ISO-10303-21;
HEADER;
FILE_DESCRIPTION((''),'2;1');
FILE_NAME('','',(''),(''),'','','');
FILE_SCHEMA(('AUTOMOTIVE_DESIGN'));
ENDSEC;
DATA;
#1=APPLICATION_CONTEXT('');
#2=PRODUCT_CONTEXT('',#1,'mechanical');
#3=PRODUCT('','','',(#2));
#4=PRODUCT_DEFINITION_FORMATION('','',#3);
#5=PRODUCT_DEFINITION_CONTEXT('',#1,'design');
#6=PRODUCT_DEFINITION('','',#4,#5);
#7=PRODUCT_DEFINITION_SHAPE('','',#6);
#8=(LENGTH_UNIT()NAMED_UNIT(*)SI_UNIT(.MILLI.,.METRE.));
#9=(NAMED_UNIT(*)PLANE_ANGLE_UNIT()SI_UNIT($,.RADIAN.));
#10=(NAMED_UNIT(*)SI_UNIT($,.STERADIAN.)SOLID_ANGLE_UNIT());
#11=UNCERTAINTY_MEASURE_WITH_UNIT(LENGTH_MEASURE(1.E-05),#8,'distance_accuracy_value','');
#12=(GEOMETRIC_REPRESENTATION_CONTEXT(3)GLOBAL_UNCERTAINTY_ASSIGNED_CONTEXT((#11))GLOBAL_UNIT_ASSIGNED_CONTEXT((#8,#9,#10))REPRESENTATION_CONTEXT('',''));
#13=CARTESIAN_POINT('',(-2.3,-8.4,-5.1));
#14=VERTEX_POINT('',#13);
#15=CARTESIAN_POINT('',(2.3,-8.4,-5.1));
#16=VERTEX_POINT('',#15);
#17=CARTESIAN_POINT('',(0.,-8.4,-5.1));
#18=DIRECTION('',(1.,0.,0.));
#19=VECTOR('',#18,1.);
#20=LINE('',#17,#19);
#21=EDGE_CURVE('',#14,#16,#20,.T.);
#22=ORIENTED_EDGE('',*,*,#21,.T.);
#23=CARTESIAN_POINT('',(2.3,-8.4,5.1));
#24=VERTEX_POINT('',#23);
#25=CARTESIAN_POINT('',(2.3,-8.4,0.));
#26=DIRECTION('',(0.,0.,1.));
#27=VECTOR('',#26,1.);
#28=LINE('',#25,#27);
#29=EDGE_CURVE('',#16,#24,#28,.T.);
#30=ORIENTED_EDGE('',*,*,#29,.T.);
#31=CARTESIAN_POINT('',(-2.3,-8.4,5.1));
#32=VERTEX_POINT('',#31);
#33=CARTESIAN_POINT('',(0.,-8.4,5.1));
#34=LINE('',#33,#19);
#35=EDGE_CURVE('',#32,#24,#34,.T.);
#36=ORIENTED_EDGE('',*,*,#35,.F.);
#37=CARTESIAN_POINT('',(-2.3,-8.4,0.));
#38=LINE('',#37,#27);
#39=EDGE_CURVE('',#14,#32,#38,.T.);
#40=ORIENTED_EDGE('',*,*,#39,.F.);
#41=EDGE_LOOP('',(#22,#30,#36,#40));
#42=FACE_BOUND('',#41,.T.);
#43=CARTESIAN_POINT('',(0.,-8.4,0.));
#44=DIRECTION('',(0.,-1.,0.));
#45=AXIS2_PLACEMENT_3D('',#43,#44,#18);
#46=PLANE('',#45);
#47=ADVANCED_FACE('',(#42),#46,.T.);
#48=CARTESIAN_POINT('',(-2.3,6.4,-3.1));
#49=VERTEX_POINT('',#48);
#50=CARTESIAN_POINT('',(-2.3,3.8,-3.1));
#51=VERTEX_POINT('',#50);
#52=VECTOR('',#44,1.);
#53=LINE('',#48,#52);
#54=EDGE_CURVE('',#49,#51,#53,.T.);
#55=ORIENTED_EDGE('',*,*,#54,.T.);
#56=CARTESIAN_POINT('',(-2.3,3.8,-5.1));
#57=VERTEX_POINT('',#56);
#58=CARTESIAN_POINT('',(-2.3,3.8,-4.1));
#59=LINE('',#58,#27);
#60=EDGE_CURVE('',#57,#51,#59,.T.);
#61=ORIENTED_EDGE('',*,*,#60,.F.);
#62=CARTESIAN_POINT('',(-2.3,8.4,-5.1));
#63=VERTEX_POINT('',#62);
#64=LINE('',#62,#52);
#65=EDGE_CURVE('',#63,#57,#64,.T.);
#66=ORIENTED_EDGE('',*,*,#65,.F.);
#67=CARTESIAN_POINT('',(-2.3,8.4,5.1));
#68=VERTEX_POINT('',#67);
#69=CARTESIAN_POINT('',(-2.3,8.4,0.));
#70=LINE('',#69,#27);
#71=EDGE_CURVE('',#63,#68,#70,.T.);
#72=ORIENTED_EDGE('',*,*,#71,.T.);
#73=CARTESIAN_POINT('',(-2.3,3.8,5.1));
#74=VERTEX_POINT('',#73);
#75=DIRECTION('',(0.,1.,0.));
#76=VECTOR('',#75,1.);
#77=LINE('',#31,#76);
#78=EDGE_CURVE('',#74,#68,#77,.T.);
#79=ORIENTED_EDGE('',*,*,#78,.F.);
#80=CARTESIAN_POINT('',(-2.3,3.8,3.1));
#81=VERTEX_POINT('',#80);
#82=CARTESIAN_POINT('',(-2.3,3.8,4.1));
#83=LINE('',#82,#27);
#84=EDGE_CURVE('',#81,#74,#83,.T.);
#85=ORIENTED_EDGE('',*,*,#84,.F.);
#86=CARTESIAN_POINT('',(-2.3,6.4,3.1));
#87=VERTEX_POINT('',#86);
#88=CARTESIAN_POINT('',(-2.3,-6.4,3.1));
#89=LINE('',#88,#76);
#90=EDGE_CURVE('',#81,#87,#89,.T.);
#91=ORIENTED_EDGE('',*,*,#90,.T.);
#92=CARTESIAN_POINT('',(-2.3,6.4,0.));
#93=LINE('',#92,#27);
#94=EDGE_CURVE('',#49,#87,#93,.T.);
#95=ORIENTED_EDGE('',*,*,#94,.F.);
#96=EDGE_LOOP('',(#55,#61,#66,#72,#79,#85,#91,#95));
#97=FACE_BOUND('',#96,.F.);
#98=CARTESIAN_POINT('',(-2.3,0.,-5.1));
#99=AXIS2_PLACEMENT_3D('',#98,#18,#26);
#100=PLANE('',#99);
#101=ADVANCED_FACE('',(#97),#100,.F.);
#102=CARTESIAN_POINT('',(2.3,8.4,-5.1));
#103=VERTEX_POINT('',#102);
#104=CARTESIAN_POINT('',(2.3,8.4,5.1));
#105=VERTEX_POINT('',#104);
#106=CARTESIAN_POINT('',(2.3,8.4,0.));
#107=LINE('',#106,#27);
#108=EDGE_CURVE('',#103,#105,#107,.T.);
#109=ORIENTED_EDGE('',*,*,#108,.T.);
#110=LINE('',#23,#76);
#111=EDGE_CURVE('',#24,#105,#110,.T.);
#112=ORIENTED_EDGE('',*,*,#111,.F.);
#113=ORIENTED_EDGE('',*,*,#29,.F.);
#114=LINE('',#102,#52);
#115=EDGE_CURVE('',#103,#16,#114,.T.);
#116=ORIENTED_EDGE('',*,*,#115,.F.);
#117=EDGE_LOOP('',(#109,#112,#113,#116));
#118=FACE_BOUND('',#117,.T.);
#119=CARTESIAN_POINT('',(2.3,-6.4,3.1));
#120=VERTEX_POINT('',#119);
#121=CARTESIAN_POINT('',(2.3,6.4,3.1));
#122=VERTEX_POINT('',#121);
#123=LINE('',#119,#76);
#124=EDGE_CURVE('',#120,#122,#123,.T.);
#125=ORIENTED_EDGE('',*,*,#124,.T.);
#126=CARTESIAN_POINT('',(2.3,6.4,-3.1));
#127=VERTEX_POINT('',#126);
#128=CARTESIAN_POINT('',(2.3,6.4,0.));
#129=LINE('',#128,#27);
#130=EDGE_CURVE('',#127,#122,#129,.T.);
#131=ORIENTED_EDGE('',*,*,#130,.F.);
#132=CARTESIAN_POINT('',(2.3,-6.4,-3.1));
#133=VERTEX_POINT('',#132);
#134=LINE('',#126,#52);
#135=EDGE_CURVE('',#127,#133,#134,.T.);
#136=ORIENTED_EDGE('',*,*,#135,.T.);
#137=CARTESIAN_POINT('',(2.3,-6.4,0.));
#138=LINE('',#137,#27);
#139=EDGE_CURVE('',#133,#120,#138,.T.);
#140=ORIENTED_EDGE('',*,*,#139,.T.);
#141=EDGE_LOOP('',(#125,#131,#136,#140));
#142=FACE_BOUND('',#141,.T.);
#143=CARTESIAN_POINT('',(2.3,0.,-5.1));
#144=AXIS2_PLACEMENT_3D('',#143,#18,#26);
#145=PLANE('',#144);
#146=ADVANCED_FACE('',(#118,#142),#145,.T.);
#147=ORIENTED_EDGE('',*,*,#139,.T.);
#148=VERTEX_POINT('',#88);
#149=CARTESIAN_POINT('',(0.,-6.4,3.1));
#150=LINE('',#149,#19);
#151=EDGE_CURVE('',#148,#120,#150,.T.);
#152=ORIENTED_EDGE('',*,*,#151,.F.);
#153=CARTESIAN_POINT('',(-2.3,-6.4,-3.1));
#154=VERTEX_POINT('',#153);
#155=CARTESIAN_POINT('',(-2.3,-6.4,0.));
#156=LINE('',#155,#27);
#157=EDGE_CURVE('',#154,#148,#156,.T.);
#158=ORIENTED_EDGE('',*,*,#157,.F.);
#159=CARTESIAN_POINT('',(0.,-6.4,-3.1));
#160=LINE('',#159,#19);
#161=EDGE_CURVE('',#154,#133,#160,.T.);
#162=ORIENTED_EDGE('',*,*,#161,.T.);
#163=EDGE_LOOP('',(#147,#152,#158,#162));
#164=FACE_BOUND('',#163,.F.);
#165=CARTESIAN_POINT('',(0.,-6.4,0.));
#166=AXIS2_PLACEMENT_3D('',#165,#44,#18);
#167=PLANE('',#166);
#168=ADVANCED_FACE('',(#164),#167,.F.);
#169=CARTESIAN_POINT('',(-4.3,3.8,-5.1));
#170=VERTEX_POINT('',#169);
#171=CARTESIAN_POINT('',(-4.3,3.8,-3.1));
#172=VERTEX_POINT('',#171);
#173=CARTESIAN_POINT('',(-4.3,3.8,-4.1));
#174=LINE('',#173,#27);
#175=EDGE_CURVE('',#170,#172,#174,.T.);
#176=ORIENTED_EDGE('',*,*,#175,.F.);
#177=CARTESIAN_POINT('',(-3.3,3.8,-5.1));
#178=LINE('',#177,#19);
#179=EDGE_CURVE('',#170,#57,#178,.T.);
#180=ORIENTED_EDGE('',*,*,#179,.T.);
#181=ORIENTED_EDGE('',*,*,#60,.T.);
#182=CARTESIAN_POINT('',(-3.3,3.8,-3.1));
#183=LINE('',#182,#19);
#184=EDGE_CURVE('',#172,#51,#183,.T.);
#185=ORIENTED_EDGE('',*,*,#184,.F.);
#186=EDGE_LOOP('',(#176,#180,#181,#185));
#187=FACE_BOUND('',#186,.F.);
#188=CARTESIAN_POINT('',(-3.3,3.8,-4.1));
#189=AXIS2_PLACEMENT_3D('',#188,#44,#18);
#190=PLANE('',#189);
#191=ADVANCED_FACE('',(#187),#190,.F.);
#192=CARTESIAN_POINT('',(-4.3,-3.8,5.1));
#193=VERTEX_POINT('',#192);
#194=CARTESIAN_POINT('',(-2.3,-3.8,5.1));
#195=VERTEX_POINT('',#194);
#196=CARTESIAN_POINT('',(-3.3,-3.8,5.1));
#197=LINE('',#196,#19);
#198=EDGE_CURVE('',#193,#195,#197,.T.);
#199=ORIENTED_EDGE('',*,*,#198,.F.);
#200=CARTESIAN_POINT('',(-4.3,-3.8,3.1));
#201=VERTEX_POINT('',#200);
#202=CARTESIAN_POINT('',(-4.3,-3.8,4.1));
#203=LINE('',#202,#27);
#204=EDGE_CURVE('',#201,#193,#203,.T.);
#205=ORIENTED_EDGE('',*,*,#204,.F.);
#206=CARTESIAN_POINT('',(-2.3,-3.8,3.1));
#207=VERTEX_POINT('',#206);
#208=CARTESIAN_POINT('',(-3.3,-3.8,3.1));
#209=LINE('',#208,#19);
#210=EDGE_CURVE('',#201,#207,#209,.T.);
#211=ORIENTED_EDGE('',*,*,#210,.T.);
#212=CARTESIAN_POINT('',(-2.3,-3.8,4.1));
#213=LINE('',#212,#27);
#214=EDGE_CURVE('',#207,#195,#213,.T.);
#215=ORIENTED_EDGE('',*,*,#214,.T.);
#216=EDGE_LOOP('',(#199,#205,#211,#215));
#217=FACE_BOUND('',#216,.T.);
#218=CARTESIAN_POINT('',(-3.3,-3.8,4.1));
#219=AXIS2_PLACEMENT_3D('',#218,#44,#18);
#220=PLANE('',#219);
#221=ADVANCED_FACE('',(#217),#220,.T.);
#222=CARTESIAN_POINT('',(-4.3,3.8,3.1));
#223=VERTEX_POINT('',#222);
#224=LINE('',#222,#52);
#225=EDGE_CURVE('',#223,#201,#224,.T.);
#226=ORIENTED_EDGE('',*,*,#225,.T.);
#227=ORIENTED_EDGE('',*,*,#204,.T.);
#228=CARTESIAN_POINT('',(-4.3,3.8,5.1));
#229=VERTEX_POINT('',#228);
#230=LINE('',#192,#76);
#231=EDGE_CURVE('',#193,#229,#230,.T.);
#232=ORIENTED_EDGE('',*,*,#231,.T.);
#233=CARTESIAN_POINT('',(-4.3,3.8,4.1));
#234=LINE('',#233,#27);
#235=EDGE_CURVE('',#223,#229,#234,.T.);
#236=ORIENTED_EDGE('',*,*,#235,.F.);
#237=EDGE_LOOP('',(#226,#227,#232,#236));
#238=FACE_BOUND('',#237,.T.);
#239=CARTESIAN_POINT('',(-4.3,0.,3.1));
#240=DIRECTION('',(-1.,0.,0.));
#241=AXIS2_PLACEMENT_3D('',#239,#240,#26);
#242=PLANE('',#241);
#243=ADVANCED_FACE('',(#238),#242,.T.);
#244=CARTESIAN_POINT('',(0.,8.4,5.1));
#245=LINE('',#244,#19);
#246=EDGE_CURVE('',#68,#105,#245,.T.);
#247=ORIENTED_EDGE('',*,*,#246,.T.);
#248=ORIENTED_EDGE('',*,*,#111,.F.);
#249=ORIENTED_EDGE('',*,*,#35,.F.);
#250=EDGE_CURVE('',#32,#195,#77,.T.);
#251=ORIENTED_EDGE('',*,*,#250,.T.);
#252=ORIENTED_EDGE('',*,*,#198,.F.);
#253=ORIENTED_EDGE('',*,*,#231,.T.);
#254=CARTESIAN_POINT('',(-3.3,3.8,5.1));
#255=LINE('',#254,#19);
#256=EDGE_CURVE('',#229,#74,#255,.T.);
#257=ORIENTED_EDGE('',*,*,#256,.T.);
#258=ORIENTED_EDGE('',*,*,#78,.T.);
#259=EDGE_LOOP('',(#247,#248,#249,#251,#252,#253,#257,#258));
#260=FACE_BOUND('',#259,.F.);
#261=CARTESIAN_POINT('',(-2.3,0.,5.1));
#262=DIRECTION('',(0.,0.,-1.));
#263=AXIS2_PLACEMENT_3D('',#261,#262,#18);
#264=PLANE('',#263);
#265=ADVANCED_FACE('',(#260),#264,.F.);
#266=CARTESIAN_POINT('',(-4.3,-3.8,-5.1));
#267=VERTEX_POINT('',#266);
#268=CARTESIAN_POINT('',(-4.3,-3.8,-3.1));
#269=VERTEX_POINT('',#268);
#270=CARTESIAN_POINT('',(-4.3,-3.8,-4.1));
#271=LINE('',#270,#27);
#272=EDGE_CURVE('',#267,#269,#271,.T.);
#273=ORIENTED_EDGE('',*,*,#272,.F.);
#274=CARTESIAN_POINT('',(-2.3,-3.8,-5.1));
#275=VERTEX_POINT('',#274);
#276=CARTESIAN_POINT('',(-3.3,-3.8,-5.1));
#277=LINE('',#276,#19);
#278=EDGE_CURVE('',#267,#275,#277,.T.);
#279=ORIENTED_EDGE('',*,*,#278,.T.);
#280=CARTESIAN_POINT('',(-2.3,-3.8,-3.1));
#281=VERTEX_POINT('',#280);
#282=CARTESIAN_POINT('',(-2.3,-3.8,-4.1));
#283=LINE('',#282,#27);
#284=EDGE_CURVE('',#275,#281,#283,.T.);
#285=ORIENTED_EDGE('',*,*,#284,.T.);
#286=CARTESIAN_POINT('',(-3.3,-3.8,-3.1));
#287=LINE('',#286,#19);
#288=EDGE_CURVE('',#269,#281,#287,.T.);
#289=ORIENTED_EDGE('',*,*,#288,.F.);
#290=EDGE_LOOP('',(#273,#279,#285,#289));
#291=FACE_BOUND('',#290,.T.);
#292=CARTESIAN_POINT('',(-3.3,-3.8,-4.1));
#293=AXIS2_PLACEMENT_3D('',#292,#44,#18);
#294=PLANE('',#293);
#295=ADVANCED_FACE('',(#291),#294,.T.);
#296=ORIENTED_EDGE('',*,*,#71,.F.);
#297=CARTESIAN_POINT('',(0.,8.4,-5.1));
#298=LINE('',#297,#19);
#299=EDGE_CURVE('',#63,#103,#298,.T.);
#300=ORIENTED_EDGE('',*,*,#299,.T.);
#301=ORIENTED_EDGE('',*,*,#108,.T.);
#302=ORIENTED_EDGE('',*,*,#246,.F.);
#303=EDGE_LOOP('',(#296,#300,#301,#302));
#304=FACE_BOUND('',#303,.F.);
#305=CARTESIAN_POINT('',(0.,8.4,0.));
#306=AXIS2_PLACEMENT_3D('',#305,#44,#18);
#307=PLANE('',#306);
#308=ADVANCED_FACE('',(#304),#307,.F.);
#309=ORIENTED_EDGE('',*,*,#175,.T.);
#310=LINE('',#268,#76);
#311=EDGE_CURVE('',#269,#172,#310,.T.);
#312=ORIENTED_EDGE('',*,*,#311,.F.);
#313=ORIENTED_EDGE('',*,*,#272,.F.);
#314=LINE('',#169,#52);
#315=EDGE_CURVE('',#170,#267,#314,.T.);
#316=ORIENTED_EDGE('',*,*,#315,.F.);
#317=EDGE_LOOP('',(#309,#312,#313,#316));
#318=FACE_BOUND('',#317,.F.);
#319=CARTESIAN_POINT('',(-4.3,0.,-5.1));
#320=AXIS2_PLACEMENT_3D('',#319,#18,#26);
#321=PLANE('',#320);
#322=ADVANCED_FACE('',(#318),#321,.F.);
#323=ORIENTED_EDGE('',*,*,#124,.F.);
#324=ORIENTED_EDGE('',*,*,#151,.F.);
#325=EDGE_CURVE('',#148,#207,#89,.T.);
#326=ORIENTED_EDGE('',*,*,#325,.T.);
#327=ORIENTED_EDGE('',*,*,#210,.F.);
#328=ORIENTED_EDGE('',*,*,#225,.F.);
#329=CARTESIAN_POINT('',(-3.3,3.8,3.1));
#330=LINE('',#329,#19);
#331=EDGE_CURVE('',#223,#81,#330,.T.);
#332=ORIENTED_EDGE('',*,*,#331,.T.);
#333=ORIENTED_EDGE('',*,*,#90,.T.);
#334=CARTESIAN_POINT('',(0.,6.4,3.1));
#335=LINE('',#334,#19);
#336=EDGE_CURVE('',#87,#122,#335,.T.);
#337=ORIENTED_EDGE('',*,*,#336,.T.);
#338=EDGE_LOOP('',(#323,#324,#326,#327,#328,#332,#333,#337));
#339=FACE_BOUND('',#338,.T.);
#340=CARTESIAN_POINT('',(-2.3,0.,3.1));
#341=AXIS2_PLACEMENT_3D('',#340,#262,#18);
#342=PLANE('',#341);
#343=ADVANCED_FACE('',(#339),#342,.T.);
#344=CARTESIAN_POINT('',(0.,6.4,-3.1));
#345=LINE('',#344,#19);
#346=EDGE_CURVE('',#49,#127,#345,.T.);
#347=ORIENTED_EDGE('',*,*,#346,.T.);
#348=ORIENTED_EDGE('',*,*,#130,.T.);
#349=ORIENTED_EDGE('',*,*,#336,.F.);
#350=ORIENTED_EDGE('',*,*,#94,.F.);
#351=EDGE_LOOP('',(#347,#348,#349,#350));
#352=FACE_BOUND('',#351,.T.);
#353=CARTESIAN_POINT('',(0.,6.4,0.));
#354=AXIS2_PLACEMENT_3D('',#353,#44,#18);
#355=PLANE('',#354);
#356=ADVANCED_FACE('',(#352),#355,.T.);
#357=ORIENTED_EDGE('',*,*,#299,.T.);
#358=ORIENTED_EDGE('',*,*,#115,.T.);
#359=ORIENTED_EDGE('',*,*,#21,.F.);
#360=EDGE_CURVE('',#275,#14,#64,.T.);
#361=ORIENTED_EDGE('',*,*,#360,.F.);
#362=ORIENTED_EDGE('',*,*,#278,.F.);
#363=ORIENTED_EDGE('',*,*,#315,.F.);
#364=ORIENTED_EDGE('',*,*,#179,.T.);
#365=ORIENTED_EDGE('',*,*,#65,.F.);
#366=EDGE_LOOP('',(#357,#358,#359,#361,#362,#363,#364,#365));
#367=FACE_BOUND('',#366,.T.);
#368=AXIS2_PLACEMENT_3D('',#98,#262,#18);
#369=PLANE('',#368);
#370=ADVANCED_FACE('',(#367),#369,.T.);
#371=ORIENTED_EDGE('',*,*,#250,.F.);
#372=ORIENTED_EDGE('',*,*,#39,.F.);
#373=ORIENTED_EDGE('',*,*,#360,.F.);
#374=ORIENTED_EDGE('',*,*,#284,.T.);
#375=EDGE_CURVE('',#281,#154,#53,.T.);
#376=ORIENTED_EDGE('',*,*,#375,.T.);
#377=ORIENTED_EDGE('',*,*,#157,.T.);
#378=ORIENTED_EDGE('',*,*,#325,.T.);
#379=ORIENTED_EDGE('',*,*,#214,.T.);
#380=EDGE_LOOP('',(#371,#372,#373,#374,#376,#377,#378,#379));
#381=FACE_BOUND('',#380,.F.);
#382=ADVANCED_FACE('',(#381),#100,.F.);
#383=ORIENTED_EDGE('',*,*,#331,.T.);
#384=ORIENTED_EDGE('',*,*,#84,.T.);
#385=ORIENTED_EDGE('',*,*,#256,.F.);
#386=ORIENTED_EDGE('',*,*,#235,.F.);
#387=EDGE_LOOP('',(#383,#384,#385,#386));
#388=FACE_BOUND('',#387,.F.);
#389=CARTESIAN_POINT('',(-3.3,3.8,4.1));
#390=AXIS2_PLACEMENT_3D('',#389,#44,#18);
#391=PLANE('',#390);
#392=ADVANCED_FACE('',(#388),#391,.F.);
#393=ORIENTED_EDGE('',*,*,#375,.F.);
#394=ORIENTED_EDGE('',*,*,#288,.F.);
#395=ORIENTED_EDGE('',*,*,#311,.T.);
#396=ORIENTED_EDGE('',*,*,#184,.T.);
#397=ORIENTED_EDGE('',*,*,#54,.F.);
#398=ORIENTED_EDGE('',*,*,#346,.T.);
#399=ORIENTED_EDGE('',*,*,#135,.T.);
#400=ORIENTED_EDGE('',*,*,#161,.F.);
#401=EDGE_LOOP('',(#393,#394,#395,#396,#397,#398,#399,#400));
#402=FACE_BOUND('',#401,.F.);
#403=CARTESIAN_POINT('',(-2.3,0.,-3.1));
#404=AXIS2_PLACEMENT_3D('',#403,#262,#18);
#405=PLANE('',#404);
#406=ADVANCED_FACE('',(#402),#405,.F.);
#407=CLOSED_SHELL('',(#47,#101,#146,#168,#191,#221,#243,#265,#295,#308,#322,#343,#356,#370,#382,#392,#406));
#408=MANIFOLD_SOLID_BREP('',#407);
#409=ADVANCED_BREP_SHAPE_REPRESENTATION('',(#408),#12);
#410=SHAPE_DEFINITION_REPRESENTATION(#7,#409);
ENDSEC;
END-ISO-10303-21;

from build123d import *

# Parameters (mm, degrees)
SKETCH063_W      = 2
SKETCH063_H      = 2
EXTRUDE068_DEPTH = 3.8
SKETCH062_W      = 4.6
SKETCH062_H      = 6.2
EXTRUDE067_DEPTH = 6.4
SKETCH061_W      = 4.6
SKETCH061_H      = 10.2
EXTRUDE066_DEPTH = 8.4


with BuildPart() as extrude_blocchi_tra_switch:
    # Sketch063 → Extrude068 (new body, symmetric)
    with BuildSketch(Plane.XZ):
        with Locations((-3.3, 4.1)):
            Rectangle(SKETCH063_W, SKETCH063_H)
        with Locations((-3.3, -4.1)):
            Rectangle(SKETCH063_W, SKETCH063_H)
    extrude(amount=EXTRUDE068_DEPTH, both=True)


with BuildPart() as extrude_struttura_interna_blocco_switch:
    # Sketch062 → Extrude067 (new body, symmetric)
    with BuildSketch(Plane.XZ):
        Rectangle(SKETCH062_W, SKETCH062_H)
    extrude(amount=EXTRUDE067_DEPTH, both=True)


with BuildPart() as fusion_blocco_switch:
    # Sketch061 → Extrude066 (new body, symmetric)
    with BuildSketch(Plane.XZ):
        Rectangle(SKETCH061_W, SKETCH061_H)
    extrude(amount=EXTRUDE066_DEPTH, both=True)

    # Cut036: cut Extrude struttura interna blocco switch
    add(extrude_struttura_interna_blocco_switch.part, mode=Mode.SUBTRACT)

    # Fusion002: union Extrude blocchi tra switch
    add(extrude_blocchi_tra_switch.part)


solid = fusion_blocco_switch.part
